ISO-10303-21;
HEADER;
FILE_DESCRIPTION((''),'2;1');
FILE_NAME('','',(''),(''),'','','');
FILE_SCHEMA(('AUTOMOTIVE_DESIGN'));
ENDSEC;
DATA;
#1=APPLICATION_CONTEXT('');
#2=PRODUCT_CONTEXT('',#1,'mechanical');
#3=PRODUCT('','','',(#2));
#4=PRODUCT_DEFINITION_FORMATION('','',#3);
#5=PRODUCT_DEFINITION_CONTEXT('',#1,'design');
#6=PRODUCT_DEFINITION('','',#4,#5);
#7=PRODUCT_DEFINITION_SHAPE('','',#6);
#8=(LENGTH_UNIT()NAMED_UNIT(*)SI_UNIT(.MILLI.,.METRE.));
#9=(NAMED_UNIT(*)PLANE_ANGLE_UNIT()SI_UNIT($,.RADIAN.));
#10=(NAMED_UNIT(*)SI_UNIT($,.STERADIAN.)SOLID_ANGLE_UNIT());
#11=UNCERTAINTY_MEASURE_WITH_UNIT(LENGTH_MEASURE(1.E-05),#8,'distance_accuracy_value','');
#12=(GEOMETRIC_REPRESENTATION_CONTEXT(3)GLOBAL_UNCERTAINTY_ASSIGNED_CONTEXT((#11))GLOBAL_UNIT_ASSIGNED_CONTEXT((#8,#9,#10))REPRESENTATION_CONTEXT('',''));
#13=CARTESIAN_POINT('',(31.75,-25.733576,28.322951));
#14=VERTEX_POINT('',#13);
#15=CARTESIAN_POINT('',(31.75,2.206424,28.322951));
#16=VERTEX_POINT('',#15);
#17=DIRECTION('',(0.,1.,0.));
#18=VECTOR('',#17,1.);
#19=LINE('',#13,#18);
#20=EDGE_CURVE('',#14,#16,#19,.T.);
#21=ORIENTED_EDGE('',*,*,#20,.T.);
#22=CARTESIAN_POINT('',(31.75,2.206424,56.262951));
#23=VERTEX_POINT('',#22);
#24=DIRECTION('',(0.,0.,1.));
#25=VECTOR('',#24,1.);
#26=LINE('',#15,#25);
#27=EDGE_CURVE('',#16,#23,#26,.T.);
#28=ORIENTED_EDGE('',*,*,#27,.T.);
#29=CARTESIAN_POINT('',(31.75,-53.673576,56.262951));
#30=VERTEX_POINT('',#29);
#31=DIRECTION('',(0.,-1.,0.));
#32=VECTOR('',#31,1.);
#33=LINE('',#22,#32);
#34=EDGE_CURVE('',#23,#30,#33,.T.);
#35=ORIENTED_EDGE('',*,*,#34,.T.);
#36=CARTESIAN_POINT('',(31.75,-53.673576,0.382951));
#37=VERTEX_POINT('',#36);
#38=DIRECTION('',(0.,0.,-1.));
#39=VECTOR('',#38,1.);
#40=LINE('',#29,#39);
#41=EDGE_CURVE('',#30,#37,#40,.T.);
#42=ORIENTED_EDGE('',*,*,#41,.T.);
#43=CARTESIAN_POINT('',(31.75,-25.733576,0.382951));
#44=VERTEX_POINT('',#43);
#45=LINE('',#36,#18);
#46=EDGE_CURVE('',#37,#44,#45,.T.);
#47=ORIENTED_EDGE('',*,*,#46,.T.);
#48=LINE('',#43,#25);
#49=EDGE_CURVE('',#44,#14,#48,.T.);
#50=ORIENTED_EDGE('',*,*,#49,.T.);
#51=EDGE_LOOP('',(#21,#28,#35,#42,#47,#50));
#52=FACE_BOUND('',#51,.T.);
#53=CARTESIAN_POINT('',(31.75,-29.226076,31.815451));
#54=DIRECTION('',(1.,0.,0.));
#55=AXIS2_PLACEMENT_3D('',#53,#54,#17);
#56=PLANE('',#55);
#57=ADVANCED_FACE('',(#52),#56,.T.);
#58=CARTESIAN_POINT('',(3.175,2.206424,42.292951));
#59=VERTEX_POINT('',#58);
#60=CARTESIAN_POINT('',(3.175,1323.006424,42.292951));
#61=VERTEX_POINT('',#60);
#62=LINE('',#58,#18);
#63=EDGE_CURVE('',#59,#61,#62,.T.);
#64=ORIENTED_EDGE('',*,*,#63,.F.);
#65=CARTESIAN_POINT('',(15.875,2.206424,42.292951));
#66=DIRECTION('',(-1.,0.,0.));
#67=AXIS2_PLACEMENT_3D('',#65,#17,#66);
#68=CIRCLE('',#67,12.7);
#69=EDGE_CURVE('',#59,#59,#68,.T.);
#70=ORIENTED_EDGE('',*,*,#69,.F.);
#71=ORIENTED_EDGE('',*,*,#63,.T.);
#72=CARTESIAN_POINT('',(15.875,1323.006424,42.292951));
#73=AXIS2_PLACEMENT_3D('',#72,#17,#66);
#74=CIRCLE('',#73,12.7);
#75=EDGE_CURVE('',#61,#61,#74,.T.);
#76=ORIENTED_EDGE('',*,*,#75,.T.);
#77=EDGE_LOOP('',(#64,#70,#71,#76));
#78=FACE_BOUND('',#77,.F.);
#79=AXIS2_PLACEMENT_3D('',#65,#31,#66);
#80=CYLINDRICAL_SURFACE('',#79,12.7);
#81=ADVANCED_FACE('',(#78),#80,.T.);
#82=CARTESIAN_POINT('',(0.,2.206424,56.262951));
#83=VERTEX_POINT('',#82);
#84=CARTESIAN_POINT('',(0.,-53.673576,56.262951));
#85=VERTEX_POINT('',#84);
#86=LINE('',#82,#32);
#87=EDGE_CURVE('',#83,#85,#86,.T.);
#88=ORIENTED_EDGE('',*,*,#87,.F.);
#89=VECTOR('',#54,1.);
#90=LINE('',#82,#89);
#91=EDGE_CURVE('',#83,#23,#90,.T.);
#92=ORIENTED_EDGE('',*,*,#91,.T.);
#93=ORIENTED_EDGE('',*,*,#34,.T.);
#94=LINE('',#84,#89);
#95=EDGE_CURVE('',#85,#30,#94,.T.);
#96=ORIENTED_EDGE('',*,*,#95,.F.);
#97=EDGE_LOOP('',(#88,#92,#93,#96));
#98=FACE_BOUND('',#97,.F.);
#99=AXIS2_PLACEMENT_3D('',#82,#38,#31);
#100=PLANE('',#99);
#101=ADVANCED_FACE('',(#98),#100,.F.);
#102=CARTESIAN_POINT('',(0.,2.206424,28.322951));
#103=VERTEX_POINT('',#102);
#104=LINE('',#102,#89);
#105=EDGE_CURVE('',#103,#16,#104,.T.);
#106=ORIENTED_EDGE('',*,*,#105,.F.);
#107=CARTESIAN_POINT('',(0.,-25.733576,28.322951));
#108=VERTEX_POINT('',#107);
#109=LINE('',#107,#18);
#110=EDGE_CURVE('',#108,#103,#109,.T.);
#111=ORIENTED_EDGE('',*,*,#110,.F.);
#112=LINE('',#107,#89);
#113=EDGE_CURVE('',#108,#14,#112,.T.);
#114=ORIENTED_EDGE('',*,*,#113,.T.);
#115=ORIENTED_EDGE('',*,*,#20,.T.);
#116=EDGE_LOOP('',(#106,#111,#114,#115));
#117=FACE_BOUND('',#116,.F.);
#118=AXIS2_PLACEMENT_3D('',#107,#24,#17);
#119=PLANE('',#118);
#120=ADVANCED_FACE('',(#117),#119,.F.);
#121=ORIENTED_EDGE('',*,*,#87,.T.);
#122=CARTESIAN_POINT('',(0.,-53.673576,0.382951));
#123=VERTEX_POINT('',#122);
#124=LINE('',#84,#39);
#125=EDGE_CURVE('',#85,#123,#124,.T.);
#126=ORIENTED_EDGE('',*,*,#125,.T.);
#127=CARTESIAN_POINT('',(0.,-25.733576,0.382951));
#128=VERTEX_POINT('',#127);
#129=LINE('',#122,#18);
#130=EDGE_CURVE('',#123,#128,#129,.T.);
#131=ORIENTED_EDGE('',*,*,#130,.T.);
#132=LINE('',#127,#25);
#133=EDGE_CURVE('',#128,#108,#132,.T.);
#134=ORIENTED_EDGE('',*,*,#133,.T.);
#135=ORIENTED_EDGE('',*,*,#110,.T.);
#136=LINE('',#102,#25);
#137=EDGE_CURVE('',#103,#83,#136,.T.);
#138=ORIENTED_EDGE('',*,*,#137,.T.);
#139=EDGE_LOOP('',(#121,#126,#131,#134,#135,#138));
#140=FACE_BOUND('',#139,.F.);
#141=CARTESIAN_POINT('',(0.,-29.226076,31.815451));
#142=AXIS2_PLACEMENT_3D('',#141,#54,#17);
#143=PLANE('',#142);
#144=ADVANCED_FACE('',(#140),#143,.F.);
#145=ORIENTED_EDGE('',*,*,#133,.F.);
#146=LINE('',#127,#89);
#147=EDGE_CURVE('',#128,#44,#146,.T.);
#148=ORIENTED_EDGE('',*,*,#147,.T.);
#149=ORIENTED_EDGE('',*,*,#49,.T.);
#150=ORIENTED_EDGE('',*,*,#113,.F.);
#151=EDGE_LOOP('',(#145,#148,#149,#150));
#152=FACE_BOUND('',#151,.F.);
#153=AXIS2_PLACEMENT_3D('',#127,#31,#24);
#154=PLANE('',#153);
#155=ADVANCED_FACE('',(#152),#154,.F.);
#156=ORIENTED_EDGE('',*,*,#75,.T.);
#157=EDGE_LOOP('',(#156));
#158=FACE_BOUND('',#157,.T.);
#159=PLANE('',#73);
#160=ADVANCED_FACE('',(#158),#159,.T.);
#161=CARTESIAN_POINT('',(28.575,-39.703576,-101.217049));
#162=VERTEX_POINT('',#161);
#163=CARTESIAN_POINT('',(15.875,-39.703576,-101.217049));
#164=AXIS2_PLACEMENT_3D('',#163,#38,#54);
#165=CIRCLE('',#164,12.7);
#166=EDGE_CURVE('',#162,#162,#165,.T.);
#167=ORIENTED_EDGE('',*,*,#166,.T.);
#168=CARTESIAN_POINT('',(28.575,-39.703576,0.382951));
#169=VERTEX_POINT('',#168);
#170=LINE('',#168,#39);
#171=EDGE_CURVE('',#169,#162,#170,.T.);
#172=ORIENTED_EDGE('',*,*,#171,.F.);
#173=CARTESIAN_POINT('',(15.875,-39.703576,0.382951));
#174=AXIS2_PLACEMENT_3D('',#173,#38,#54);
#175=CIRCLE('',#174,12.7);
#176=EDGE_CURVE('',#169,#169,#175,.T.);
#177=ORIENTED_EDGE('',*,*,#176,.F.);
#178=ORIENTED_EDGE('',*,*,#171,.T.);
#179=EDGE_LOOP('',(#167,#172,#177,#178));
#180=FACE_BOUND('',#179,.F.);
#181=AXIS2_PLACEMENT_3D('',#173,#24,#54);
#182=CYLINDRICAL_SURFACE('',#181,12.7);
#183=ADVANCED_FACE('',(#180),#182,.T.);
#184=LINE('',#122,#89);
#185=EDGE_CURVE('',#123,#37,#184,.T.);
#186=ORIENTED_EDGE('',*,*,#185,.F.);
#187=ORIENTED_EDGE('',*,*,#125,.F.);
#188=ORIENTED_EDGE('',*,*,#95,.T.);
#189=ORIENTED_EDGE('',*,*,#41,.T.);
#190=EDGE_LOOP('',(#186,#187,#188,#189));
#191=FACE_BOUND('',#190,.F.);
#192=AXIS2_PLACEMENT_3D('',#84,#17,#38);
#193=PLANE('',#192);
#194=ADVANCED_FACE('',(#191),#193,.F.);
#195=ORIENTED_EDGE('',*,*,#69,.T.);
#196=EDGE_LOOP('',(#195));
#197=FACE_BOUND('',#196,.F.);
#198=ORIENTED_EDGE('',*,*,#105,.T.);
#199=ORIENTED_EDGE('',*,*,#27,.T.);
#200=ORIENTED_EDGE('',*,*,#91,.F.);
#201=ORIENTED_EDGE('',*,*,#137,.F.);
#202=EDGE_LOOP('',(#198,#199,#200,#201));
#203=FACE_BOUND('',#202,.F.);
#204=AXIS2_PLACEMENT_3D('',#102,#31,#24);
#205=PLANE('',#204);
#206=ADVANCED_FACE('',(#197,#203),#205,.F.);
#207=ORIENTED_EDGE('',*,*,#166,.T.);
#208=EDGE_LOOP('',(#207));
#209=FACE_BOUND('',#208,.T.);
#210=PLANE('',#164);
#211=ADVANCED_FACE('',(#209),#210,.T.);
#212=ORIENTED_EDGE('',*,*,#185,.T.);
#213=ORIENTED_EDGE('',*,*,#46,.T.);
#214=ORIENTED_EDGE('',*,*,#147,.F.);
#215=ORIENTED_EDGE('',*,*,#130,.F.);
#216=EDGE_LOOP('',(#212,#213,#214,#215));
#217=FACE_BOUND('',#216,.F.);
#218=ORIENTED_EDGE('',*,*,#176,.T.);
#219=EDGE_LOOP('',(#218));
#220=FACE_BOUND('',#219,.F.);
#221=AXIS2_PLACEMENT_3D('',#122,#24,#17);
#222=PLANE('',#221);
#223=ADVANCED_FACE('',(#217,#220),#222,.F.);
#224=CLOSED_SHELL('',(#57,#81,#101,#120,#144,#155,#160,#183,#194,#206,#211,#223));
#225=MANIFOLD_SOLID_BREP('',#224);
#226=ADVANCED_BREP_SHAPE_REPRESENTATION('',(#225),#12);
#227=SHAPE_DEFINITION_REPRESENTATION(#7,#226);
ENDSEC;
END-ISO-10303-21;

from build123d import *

# Parameters (mm, degrees)
F1_DEPTH = 31.75
F2_R     = 12.7
F3_DEPTH = 1320.8
F4_R     = 12.7
F5_DEPTH = 101.6


with BuildPart() as f1:
    # F0 (on Right) → F1 (new body)
    with BuildSketch(Plane.YZ):
        Polygon((-25.733576, 56.262951), (-53.673576, 56.262951), (-53.673576, 0.382951), (-25.733576, 0.382951), (-25.733576, 28.322951), (2.206424, 28.322951), (2.206424, 56.262951), align=None)
    extrude(amount=F1_DEPTH)

    # F2 (on face) → F3 (join)
    with BuildSketch(Plane(origin=(0, 2.206424, 0), x_dir=(-1, 0, 0), z_dir=(0, 1, 0))):
        with Locations((-15.875, 42.292951)):
            Circle(F2_R)
    extrude(amount=F3_DEPTH)

    # F4 (on face) → F5 (join)
    with BuildSketch(Plane(origin=(0, 0, 0.382951), x_dir=(1, 0, 0), z_dir=(0, 0, -1))):
        with Locations((15.875, 39.703576)):
            Circle(F4_R)
    extrude(amount=F5_DEPTH)


solid = f1.part
